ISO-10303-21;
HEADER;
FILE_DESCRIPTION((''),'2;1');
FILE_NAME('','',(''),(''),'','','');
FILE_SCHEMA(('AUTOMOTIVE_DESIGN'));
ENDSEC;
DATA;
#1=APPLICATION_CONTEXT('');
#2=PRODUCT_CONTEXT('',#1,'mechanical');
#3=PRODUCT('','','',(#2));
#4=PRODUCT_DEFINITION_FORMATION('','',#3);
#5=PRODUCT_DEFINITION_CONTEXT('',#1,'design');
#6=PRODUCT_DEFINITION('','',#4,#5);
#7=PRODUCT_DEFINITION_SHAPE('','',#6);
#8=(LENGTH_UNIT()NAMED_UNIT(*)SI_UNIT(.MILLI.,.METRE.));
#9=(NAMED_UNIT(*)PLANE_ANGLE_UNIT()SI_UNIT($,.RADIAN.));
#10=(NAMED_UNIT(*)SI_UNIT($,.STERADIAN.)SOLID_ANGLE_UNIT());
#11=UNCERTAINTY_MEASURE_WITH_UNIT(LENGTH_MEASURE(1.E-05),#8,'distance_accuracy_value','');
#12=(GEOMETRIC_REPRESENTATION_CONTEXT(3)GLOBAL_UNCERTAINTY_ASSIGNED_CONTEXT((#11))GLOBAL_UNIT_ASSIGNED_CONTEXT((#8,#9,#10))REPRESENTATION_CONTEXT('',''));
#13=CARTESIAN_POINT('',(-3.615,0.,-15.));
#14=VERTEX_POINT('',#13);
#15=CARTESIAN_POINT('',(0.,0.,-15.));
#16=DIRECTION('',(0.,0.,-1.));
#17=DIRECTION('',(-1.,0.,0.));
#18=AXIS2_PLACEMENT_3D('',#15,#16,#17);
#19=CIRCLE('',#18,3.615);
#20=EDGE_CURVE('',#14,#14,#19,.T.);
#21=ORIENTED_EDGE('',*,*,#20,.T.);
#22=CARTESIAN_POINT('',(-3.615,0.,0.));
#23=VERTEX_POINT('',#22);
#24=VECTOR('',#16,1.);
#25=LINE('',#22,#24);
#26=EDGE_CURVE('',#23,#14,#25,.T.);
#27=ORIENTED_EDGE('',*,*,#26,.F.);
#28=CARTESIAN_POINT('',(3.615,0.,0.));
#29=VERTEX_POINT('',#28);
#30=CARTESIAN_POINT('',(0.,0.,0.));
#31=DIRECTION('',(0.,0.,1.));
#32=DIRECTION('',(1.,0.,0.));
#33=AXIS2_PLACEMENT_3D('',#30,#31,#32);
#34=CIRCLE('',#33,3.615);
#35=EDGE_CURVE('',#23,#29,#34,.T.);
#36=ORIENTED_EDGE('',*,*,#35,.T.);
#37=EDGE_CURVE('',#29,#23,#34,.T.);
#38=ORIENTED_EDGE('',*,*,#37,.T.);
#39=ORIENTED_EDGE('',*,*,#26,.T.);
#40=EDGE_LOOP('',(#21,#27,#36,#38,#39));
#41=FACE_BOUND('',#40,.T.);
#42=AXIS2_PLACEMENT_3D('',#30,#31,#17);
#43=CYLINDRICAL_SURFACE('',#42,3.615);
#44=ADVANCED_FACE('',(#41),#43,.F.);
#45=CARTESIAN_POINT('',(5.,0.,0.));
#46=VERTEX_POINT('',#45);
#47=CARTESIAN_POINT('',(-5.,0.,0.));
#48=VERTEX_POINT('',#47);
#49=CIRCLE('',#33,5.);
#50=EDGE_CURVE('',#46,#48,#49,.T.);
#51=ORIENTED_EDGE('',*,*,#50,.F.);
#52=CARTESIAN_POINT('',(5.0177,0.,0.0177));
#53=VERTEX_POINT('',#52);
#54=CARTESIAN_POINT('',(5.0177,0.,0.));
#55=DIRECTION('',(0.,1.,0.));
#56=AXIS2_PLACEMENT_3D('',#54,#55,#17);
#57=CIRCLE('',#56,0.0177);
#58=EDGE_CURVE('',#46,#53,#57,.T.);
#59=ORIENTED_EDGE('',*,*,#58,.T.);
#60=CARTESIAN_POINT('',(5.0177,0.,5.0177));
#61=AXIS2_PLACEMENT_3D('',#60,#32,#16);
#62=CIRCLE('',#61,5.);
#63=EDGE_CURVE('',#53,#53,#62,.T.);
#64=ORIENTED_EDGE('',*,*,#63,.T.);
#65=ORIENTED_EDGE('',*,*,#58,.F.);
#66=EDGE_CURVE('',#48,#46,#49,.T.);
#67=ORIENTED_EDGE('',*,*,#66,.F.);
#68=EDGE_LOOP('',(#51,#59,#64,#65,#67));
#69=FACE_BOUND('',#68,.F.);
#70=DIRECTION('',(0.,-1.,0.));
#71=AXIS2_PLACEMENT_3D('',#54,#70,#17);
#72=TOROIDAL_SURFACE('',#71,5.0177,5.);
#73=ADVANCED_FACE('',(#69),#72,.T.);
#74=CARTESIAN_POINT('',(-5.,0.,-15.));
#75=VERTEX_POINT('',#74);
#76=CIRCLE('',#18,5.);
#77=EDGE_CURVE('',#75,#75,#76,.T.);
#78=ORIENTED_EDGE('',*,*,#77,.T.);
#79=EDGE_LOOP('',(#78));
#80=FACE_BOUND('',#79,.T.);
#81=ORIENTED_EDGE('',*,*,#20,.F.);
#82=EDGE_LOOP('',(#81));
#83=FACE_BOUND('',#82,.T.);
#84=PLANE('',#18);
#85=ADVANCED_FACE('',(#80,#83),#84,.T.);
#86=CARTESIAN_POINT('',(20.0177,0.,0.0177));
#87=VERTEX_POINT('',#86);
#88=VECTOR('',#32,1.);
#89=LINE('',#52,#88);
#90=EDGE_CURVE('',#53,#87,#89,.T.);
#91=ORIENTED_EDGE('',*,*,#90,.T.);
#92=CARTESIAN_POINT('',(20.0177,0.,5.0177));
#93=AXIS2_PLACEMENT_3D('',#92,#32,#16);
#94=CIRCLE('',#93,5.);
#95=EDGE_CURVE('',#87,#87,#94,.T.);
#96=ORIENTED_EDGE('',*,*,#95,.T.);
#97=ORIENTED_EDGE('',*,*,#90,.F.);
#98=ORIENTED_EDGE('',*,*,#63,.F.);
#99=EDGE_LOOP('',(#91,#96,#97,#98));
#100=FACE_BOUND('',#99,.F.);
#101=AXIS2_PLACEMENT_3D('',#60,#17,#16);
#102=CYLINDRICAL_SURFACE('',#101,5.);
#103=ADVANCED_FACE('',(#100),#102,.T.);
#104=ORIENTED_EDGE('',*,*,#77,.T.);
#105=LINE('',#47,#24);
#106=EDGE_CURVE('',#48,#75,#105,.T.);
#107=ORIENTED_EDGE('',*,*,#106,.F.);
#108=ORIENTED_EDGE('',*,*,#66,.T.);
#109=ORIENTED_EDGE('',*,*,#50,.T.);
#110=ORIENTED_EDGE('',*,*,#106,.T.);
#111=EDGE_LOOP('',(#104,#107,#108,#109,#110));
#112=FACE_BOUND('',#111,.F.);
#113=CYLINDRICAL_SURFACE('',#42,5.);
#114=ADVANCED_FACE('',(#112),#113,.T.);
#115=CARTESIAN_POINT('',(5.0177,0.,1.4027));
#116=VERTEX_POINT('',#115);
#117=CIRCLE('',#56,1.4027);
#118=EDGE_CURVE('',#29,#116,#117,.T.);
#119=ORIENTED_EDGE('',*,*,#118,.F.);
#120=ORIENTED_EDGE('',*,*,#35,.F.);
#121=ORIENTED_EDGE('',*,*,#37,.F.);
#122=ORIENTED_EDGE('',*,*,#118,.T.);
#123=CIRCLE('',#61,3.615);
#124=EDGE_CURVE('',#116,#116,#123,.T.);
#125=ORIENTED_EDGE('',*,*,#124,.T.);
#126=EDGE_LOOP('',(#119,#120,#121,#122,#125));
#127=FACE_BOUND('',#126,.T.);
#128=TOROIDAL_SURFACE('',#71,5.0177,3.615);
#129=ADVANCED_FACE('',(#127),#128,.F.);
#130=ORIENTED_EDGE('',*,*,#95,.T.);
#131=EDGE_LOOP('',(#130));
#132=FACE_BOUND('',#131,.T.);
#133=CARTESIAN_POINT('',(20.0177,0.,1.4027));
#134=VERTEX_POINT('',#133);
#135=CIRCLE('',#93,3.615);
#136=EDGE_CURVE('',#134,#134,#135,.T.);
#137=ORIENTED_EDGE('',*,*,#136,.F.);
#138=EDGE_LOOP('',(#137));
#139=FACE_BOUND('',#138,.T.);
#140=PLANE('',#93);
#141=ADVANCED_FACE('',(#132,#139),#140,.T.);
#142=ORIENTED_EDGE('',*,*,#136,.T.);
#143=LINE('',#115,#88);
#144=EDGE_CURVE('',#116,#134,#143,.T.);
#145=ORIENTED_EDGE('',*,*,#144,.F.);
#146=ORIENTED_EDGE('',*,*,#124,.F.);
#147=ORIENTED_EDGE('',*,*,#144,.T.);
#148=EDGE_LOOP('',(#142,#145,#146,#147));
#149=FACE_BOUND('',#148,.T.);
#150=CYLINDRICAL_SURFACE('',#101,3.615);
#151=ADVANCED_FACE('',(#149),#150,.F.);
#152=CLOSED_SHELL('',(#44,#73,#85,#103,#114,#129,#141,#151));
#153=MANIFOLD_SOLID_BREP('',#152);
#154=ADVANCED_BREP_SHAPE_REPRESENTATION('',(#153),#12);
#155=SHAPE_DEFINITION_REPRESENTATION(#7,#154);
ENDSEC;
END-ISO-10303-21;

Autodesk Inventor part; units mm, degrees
ref_plane "YZ Plane" through (0, 0, 0) normal (1, 0, 0) x (0, 1, 0)
ref_plane "XZ Plane" through (0, 0, 0) normal (0, 1, 0) x (-1, 0, 0)
ref_plane "XY Plane" through (0, 0, 0) normal (0, 0, 1) x (1, 0, 0)
sketch "Sketch1" plane through (0, 0, 0) normal (0, 0, 1) x (1, 0, 0)
  circle A0 centre (0, 0) radius 3.615
  circle A1 centre (0, 0) radius 5
  dimension "d0" = 7.23
  dimension "d1" = 10
sketch "Sketch2" plane through (0, 0, 0) normal (0, 0, 1) x (1, 0, 0)
  line L0 (5.0177, 0) -> (5.0177, 4.7273)
  line L1 (5.0177, 0) -> (9.745, 0) construction
  line L2 (5.0177, 4.7273) -> (5.0177, -3.9213)
  point P0 (0, 0)
  dimension "d2" = 90
revolve "Revolution1" add sketch "Sketch1" angle 90 about axis through (5.0177, 0, 0) along (0, 1, 0)
sketch "Sketch3" plane through (5.0177, 0, 5.0177) normal (1, 0, 0) x (0, 0, -1)
  point P0 (5.0177, 0)
sketch "Sketch4" plane through (5.0177, 0, 5.0177) normal (1, 0, 0) x (0, 0, -1)
  circle A0 centre (0, 0) radius 3.615
  circle A1 centre (0, 0) radius 5
  point P0 (5.0177, 0)
  dimension "d4" = 7.23
  dimension "d5" = 10
extrude "Extrusion1" add sketch "Sketch4" along normal blind 15
sketch "Sketch5" plane through (0, 0, 0) normal (0, 0, -1) x (-1, 0, 0)
  circle A0 centre (0, 0) radius 3.615
  circle A1 centre (0, 0) radius 5
  dimension "d8" = 7.23
  dimension "d9" = 10
extrude "Extrusion2" add sketch "Sketch5" along normal blind 15
properties part number "Knee-big"
